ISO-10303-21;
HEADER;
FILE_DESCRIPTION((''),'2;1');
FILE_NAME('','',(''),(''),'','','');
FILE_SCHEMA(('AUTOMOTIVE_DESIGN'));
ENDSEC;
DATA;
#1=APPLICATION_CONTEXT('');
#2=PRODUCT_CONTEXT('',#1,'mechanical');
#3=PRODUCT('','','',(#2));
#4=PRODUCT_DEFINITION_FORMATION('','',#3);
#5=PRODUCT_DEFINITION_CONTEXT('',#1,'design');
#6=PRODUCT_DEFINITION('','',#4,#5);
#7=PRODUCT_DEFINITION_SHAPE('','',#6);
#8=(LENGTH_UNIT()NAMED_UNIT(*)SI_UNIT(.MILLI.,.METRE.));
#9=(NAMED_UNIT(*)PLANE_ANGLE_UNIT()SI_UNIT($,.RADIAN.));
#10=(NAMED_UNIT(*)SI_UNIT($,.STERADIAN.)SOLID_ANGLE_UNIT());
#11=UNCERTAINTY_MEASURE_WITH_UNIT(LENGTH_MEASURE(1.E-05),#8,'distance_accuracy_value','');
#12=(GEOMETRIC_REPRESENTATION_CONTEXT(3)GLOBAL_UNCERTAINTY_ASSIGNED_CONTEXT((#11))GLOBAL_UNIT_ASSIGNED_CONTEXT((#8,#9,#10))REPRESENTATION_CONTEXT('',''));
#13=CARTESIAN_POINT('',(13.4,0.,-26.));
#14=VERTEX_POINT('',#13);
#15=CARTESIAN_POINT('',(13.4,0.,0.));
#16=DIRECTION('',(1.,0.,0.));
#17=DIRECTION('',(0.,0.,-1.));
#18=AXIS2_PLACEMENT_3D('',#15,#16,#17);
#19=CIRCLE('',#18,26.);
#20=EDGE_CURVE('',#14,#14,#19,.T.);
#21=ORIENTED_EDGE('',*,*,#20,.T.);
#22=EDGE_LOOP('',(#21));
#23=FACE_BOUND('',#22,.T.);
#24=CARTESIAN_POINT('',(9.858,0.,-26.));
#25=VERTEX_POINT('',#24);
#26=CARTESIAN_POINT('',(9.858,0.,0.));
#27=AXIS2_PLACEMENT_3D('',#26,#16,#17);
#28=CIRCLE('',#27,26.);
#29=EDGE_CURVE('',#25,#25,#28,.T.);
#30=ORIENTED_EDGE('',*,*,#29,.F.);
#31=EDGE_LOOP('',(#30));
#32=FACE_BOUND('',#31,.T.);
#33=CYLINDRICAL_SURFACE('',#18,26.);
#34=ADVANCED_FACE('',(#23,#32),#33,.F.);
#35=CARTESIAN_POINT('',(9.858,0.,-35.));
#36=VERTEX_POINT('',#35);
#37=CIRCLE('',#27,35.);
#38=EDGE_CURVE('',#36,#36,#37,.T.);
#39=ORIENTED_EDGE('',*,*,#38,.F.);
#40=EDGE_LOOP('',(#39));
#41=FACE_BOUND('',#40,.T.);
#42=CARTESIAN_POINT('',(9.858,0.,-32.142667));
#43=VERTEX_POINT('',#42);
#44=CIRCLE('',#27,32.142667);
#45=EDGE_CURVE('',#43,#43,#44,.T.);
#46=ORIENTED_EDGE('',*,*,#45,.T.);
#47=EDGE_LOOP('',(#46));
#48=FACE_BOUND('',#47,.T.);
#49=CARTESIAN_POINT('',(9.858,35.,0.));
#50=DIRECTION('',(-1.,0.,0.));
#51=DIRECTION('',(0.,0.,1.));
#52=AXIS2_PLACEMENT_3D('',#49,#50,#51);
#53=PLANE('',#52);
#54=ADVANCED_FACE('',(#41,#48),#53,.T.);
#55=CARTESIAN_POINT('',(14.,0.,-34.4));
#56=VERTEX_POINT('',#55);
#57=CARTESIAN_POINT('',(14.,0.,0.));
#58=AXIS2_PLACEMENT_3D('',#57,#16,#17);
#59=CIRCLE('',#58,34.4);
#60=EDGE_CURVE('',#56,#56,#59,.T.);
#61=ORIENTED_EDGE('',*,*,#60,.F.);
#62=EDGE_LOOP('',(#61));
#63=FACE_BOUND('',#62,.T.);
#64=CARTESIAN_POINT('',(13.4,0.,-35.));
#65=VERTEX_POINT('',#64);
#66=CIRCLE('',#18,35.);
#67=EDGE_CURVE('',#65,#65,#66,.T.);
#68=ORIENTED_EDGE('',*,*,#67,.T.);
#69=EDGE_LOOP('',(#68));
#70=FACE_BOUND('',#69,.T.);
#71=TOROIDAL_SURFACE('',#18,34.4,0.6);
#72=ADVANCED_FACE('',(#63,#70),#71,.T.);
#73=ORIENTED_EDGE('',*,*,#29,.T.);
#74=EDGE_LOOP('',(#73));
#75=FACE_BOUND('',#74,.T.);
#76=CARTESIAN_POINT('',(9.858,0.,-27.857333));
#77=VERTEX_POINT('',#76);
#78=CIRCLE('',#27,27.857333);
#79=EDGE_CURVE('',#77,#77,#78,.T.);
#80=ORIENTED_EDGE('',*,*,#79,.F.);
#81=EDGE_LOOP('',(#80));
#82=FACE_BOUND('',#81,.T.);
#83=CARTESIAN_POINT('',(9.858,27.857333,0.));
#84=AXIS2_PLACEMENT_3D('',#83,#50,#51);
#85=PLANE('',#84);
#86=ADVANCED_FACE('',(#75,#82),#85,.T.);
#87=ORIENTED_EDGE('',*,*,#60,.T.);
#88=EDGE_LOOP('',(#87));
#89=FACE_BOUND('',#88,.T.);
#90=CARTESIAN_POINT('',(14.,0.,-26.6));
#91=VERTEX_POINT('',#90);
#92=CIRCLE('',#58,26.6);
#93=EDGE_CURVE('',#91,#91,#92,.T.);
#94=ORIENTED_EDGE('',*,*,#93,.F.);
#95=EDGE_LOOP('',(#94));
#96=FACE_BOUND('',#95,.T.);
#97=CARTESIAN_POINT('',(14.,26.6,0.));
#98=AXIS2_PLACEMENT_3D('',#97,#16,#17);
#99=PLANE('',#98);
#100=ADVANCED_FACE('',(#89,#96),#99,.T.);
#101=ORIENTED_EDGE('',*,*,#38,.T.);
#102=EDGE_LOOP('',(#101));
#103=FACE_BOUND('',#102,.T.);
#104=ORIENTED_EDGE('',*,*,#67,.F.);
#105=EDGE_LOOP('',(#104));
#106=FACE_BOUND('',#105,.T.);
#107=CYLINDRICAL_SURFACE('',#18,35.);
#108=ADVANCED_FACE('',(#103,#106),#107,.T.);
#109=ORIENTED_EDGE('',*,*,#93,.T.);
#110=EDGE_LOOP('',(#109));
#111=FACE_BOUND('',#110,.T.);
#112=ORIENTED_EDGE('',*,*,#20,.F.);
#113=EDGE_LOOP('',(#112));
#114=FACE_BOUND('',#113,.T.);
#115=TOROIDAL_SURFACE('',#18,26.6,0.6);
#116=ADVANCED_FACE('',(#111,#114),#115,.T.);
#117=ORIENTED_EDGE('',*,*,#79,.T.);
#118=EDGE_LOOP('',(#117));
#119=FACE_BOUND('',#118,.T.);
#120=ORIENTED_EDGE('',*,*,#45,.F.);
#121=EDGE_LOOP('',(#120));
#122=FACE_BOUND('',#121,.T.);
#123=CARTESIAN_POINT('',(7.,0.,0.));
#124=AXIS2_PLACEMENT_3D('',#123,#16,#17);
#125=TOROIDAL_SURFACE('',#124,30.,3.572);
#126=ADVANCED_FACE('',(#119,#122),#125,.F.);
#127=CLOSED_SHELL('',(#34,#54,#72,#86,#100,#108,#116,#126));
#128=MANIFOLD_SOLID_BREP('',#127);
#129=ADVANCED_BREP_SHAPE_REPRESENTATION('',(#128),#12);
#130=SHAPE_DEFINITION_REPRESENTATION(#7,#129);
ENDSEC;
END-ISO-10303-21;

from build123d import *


with BuildPart() as part:
    # Croquis1 → Revolución1 (revolve)
    with BuildSketch(Plane.XY):
        with BuildLine():
            Line((9.858, 26), (13.4, 26))
            ThreePointArc((13.4, 26), (13.824264069, 26.175735931), (14, 26.6))
            Line((14, 26.6), (14, 34.4))
            ThreePointArc((14, 34.4), (13.824264069, 34.824264069), (13.4, 35))
            Line((13.4, 35), (9.858, 35))
            Line((9.858, 35), (9.858, 32.142666563))
            ThreePointArc((9.858, 32.142666563), (10.572, 30), (9.858, 27.857333437))
            Line((9.858, 27.857333437), (9.858, 26))
        make_face()
    revolve(axis=Axis((13.4, 0, 0), (-1, 0, 0)))


solid = part.part
